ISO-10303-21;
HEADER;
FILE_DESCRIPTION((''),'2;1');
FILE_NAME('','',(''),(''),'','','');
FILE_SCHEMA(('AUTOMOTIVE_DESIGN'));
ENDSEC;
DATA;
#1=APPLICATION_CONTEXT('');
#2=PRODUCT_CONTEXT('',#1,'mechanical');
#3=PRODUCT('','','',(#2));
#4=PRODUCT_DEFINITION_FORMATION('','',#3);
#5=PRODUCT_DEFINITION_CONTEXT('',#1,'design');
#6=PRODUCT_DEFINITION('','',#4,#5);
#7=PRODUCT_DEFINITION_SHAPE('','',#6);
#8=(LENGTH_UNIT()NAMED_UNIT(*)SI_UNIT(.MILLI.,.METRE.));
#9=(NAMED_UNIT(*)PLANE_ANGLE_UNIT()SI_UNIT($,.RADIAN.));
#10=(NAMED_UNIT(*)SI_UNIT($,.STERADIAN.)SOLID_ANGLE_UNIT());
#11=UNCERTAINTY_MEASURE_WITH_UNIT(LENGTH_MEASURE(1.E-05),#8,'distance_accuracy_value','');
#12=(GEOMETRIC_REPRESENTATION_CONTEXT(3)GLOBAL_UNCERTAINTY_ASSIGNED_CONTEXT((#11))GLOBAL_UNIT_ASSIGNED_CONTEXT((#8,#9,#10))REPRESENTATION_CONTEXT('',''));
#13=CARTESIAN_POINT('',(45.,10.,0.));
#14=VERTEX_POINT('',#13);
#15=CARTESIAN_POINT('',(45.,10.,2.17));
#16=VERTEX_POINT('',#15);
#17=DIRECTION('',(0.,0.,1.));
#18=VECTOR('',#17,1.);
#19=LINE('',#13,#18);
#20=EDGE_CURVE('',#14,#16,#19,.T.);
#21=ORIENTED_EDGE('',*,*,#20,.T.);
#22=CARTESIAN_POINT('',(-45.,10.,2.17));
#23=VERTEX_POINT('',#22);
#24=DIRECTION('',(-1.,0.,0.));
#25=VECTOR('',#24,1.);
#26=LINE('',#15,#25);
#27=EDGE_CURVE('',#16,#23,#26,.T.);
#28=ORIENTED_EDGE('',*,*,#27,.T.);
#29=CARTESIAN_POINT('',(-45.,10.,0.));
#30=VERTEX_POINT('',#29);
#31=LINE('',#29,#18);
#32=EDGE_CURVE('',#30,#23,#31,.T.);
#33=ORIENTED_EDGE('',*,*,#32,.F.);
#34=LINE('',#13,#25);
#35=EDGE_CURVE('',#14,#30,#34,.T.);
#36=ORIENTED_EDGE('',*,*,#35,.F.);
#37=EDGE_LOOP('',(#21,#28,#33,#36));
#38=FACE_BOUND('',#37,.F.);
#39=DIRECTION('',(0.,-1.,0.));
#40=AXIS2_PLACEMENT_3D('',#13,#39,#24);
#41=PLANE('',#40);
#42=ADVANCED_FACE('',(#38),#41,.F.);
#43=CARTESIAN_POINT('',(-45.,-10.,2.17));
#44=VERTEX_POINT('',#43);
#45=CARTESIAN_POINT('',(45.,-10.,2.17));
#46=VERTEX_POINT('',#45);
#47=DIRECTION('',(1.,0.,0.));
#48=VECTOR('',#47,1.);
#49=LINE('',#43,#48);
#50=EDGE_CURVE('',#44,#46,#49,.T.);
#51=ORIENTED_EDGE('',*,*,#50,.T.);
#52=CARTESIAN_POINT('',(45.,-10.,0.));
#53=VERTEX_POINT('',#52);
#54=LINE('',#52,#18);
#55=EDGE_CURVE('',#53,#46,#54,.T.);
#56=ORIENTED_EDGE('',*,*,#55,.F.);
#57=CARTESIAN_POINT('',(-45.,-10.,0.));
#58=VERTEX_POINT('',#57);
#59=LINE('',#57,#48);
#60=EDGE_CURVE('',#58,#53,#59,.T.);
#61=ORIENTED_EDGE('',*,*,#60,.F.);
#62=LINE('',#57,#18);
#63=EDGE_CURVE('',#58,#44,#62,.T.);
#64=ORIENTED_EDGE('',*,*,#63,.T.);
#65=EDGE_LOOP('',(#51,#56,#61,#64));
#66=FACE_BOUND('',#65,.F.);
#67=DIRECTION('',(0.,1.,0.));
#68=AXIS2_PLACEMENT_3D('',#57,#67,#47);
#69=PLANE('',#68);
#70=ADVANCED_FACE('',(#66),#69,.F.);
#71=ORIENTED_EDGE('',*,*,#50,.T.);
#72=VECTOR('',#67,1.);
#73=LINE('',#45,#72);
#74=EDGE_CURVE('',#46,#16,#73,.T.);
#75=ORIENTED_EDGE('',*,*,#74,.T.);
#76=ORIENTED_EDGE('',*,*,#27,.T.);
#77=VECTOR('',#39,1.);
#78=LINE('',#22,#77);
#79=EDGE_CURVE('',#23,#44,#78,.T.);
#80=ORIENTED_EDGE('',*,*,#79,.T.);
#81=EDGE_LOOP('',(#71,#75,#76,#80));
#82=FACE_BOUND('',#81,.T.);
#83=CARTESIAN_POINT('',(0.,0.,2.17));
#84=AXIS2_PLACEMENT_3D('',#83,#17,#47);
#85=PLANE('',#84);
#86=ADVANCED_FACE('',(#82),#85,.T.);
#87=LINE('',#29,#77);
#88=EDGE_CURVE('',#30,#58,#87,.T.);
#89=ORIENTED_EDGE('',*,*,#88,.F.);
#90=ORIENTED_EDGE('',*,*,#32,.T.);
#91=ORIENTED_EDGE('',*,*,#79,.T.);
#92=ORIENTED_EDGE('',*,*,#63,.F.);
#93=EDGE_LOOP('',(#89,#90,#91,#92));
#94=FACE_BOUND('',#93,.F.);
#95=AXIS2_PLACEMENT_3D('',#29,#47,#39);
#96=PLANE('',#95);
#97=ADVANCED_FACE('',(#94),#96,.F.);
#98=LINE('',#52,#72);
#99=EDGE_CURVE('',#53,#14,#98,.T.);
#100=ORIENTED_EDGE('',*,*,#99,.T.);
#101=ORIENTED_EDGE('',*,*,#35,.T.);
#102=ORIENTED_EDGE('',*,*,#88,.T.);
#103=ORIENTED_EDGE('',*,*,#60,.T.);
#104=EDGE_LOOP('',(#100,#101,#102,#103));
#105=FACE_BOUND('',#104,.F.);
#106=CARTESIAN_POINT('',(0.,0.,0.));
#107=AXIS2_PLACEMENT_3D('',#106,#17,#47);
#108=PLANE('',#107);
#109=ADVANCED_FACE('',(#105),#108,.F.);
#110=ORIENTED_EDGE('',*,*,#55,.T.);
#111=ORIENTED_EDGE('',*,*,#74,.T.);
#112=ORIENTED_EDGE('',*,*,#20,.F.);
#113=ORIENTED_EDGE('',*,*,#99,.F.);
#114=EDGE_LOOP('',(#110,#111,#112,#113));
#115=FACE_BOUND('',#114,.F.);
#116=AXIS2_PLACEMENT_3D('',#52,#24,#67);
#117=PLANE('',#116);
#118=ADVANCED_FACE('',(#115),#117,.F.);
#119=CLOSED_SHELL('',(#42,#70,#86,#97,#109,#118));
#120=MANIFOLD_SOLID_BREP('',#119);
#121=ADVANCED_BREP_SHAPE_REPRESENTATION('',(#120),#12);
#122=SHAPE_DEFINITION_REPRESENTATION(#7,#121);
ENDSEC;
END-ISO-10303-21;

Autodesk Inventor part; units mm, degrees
ref_plane "YZ Plane" through (0, 0, 0) normal (1, 0, 0) x (0, 1, 0)
ref_plane "XZ Plane" through (0, 0, 0) normal (0, 1, 0) x (-1, 0, 0)
ref_plane "XY Plane" through (0, 0, 0) normal (0, 0, 1) x (1, 0, 0)
sketch "Sketch1" plane through (0, 0, 0) normal (0, 0, 1) x (1, 0, 0)
  line L0 (45, 10) -> (-45, 10)
  line L1 (-45, 10) -> (-45, -10)
  line L2 (-45, -10) -> (45, -10)
  line L3 (45, -10) -> (45, 10)
  point P0 (0, 0)
  dimension "d0" = 90
  dimension "d1" = 20
extrude "Extrusion1" add sketch "Sketch1" along normal blind 2.17
properties part number "ButtonBoard"
